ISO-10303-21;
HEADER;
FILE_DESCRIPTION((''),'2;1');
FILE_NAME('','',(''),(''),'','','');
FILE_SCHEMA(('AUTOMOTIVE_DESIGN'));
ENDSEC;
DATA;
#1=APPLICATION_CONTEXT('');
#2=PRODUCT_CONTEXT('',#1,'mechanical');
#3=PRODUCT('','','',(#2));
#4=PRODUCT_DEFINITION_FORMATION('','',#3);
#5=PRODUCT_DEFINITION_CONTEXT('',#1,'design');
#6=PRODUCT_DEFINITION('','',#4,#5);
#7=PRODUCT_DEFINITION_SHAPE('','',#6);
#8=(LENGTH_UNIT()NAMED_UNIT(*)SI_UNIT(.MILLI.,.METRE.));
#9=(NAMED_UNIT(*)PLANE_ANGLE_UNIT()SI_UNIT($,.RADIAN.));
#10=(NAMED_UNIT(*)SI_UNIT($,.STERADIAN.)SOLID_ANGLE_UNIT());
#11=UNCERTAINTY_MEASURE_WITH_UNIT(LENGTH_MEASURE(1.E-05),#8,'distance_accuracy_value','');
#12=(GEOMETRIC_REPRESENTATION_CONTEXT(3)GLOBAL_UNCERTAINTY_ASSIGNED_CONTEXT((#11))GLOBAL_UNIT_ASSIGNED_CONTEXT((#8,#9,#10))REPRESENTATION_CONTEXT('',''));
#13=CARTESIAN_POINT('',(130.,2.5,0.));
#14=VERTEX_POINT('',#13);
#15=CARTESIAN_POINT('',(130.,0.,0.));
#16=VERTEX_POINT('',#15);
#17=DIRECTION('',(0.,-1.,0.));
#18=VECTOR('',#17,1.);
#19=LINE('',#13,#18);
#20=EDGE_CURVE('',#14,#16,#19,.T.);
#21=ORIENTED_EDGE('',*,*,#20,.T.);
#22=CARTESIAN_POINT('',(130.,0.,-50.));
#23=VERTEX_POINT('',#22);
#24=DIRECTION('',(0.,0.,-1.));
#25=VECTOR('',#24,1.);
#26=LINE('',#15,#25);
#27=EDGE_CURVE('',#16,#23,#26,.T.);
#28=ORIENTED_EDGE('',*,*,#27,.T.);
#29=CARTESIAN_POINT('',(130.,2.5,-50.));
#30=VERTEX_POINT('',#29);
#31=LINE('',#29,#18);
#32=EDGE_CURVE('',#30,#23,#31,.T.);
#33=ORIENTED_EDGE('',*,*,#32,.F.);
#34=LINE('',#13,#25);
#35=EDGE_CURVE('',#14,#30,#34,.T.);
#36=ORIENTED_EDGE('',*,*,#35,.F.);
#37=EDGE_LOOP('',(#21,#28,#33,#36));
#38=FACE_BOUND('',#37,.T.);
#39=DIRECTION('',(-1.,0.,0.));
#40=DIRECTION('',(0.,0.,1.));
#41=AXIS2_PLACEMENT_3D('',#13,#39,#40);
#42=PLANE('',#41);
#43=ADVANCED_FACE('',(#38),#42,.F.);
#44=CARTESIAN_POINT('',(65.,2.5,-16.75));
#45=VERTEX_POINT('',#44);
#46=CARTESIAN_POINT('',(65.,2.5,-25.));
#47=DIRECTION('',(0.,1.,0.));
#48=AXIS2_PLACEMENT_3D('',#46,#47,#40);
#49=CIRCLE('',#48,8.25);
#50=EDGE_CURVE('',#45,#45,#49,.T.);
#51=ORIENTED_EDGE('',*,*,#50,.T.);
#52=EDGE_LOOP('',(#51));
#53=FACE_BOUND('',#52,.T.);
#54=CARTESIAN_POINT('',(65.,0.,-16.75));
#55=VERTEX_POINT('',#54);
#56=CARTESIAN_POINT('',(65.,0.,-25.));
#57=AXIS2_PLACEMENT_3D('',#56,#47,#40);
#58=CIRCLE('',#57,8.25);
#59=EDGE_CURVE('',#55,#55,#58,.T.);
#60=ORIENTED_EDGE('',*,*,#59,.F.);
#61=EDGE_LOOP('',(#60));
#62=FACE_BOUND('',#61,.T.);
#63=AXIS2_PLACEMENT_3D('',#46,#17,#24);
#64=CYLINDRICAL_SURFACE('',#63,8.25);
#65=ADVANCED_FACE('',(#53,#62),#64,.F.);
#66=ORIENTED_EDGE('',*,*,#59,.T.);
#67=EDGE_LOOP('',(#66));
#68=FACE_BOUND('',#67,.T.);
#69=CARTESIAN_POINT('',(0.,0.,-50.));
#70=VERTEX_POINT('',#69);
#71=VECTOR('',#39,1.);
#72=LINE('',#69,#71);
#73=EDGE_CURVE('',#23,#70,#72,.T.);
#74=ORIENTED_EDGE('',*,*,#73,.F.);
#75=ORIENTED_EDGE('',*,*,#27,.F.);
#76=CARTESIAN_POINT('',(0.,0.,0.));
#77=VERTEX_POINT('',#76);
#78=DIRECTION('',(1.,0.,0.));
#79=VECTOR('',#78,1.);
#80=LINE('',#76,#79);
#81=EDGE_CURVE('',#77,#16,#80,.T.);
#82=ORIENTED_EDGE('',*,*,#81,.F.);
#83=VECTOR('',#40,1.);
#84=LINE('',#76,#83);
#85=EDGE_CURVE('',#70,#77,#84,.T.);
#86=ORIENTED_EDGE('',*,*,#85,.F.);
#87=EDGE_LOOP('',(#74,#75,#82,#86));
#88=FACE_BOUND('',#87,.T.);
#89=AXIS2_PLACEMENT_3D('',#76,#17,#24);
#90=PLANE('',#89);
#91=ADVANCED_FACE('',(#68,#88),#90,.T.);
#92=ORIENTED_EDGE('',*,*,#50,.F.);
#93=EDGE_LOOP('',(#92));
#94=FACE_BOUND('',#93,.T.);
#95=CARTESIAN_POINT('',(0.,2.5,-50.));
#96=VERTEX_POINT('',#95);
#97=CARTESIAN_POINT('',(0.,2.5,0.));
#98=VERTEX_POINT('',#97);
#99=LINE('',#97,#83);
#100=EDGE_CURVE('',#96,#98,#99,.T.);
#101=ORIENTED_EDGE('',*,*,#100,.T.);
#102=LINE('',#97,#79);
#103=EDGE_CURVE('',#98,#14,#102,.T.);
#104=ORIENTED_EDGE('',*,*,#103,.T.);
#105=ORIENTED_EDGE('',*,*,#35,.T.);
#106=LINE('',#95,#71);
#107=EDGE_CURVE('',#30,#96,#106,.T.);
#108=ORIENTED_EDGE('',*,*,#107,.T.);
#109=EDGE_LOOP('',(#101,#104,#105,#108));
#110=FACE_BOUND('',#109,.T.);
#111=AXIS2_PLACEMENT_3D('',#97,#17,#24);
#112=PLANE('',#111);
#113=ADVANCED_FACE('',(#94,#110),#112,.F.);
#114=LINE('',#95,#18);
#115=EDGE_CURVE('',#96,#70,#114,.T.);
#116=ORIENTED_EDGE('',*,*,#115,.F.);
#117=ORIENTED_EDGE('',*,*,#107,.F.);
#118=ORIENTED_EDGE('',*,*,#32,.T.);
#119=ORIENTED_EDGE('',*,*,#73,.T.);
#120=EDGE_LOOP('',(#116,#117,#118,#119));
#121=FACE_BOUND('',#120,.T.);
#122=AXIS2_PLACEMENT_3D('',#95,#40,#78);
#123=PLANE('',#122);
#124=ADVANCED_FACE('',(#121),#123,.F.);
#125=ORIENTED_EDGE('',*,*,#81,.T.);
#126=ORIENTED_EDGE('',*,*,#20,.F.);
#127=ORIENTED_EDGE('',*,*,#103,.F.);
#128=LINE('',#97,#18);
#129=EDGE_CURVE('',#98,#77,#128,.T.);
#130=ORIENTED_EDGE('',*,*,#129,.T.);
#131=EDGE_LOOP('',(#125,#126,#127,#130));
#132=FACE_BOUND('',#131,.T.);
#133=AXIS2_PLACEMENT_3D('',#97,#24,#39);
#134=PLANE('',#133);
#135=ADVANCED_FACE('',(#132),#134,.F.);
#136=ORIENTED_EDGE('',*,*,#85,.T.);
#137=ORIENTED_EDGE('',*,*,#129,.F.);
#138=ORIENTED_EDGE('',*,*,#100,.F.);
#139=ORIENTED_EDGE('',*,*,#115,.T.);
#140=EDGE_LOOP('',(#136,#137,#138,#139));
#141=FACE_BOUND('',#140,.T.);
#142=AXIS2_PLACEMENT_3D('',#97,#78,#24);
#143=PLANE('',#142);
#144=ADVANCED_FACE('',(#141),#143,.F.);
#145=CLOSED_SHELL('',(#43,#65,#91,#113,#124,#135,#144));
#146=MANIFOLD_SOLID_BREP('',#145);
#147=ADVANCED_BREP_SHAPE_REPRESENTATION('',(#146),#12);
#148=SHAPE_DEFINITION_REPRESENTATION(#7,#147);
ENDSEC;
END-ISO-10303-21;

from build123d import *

# Parameters (mm, degrees)
SKETCH1_W           = 130
SKETCH1_H           = 50
SKETCH1_R           = 8.25
BOSS_EXTRUDE1_DEPTH = 2.5


with BuildPart() as part:
    # Sketch1 → Boss-Extrude1 (new body)
    with BuildSketch(Plane(origin=(0, 0, 0), x_dir=(1, 0, 0), z_dir=(0, 1, 0))):
        with Locations((65, 25)):
            Rectangle(SKETCH1_W, SKETCH1_H)
        with Locations((65, 25)):
            Circle(SKETCH1_R, mode=Mode.SUBTRACT)
    extrude(amount=BOSS_EXTRUDE1_DEPTH)


solid = part.part
